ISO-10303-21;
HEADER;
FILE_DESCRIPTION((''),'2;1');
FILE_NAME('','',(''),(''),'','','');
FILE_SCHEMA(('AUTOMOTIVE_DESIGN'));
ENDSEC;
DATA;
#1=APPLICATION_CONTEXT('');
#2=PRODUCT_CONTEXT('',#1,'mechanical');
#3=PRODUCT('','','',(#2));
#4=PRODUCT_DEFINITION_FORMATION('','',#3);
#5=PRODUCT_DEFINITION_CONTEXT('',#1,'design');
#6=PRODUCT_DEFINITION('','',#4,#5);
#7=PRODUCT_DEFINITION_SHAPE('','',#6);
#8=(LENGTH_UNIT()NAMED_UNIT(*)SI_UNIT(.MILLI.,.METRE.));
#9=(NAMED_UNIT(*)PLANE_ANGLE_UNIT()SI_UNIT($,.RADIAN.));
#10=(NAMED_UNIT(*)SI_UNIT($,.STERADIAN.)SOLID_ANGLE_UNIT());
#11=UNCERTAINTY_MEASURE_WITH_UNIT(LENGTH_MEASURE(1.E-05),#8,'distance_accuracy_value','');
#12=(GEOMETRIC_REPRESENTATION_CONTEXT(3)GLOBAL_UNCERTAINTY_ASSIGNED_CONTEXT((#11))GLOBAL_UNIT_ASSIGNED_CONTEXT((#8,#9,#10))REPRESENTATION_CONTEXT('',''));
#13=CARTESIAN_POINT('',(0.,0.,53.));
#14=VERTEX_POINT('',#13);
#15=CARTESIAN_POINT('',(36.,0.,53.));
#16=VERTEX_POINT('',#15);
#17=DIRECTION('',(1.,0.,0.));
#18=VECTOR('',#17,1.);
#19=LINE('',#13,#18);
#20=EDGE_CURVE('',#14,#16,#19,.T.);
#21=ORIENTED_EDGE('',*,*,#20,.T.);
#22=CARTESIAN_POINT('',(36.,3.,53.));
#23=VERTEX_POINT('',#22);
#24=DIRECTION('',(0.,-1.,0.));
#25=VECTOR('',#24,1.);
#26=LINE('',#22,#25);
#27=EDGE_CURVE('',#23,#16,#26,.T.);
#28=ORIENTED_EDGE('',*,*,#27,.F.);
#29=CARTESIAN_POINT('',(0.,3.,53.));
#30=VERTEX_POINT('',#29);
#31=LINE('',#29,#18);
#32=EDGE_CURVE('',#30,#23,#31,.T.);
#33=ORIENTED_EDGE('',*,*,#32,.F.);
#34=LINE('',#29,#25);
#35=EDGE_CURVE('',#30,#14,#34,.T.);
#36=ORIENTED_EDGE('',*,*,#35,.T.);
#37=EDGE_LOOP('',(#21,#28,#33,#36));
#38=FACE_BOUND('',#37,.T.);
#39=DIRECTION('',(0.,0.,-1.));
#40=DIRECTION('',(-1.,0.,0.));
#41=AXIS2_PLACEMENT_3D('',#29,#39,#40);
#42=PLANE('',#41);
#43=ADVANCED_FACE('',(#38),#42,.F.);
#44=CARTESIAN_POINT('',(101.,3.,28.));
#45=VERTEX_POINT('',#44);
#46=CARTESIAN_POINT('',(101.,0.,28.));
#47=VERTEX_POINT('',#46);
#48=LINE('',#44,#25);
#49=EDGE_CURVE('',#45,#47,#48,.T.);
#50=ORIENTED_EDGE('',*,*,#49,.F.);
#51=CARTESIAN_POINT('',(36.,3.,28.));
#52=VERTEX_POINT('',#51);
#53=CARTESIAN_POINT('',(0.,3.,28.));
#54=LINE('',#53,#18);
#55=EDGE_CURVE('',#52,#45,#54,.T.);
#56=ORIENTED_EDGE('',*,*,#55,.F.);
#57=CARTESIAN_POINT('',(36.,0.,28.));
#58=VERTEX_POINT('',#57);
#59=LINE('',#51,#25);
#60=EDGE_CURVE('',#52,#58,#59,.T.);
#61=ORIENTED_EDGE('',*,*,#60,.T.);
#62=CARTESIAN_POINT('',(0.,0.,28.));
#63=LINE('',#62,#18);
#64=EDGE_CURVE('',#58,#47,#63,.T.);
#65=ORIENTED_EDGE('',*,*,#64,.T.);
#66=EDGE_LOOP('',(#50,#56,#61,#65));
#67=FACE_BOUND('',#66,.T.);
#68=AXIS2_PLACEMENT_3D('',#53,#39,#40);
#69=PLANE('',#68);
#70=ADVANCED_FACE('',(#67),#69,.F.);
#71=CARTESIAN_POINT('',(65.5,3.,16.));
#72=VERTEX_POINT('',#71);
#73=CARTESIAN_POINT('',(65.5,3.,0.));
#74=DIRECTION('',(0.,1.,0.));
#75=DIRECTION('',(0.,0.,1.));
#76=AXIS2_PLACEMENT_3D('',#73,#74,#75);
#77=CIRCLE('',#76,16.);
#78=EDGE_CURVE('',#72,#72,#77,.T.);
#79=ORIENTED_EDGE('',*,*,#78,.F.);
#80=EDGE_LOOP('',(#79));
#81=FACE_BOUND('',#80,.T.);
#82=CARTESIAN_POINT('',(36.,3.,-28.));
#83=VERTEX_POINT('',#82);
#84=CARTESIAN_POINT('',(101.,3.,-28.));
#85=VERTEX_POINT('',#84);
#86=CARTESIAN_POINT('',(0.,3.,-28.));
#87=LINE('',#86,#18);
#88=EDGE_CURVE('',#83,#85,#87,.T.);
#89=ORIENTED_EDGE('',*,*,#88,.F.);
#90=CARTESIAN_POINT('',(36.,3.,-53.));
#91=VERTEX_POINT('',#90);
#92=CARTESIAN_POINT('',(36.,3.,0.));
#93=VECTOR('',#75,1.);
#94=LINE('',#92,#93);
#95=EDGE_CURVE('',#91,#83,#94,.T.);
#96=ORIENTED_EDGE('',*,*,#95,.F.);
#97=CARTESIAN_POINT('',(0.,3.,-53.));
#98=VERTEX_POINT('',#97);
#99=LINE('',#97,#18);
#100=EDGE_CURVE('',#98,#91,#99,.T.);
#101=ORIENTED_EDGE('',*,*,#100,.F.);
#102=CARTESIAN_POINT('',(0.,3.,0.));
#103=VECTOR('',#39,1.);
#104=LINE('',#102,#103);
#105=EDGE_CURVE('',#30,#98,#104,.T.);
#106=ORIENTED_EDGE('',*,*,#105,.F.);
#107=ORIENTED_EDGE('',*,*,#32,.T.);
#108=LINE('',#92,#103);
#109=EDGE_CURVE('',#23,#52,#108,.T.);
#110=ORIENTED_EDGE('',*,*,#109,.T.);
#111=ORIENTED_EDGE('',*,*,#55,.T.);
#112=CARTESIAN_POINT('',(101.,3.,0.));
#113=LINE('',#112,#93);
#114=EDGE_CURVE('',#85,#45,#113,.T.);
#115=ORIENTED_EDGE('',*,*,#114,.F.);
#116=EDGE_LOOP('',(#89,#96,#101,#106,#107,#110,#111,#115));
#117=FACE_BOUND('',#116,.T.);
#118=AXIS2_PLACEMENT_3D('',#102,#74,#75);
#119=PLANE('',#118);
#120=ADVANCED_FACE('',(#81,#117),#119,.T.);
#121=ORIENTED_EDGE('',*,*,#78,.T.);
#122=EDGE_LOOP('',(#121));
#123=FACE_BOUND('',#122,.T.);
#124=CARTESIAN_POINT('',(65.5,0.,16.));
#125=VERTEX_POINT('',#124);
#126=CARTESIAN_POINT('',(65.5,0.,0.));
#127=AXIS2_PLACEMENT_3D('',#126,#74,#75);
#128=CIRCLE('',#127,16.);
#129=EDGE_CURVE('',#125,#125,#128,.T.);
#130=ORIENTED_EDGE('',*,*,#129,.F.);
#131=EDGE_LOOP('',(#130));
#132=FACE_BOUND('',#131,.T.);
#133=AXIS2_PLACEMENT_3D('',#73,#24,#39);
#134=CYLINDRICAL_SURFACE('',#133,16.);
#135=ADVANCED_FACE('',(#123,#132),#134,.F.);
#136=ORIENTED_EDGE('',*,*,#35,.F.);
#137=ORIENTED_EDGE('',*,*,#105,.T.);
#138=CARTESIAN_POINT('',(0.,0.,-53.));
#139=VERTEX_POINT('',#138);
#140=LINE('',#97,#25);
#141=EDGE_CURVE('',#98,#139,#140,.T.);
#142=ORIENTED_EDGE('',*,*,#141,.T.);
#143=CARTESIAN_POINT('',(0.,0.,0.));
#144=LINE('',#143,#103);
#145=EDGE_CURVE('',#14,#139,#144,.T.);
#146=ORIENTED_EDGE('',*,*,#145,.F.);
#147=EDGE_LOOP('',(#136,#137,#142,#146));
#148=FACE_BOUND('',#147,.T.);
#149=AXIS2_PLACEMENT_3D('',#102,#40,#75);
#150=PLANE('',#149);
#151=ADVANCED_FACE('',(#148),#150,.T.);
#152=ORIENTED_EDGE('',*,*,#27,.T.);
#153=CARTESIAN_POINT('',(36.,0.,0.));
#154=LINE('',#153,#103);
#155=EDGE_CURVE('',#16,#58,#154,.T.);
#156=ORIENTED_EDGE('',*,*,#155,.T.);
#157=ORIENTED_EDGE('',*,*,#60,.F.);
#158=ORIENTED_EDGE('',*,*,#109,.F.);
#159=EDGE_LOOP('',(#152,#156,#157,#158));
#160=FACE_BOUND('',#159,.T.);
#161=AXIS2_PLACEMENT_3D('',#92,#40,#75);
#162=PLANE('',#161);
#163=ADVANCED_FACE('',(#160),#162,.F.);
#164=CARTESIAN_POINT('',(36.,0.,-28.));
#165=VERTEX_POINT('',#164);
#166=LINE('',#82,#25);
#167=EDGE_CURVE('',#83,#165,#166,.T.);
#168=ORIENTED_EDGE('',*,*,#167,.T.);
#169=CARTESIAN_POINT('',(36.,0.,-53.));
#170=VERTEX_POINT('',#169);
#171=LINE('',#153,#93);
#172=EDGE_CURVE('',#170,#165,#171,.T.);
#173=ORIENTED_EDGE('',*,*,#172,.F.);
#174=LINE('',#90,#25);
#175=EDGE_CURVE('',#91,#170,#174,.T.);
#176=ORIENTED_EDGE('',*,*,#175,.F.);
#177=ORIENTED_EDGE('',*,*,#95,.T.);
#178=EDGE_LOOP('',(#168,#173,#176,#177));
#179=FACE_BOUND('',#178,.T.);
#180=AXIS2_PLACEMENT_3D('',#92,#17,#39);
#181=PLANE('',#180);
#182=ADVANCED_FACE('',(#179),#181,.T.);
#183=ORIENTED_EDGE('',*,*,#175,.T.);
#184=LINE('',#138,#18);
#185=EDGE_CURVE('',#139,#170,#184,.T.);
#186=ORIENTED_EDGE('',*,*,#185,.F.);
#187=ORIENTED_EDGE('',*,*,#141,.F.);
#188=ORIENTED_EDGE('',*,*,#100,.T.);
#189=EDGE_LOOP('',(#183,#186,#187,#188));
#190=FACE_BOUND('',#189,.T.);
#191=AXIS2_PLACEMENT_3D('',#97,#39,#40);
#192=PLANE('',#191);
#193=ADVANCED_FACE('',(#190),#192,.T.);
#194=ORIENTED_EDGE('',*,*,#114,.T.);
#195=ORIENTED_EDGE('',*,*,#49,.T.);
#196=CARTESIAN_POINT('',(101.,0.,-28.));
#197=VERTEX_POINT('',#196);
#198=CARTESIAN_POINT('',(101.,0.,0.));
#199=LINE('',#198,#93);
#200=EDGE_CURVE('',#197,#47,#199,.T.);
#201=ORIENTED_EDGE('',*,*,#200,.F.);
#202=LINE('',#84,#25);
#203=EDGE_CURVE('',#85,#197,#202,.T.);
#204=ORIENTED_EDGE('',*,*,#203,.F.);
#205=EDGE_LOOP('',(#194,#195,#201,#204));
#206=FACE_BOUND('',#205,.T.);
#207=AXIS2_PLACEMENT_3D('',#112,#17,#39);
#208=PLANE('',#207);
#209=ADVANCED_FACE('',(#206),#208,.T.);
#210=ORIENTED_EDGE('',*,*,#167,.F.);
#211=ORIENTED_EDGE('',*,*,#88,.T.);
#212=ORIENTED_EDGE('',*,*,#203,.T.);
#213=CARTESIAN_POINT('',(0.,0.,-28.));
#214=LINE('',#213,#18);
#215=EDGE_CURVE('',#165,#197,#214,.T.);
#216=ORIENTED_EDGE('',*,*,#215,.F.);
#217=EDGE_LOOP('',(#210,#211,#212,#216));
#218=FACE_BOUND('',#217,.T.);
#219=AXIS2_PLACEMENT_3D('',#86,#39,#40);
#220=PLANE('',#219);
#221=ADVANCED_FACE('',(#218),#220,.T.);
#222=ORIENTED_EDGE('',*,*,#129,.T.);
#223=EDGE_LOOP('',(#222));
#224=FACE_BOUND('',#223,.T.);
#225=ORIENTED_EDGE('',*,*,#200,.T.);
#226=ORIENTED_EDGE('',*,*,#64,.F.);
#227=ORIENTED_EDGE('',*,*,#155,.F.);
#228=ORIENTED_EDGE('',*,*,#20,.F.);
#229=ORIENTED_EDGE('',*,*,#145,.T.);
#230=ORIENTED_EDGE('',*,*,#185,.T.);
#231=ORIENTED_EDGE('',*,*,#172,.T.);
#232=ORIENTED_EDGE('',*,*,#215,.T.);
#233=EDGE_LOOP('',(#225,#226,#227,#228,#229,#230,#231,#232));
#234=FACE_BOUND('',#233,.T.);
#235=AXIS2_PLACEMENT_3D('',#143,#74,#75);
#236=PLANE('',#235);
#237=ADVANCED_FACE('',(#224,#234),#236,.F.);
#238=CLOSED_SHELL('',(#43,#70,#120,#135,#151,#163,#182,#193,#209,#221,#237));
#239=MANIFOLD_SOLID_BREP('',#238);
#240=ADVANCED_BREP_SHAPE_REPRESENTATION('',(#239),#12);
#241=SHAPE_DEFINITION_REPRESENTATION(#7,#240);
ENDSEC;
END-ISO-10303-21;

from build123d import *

# Parameters (mm, degrees)
SKETCH1_R           = 16
BOSS_EXTRUDE1_DEPTH = 3


with BuildPart() as part:
    # Sketch1 → Boss-Extrude1 (new body)
    with BuildSketch(Plane(origin=(0, 0, 0), x_dir=(1, 0, 0), z_dir=(0, 1, 0))):
        Polygon((0, -53), (0, 53), (36, 53), (36, 28), (101, 28), (101, -28), (36, -28), (36, -53), align=None)
        with Locations((65.5, 0)):
            Circle(SKETCH1_R, mode=Mode.SUBTRACT)
    extrude(amount=BOSS_EXTRUDE1_DEPTH)


solid = part.part
